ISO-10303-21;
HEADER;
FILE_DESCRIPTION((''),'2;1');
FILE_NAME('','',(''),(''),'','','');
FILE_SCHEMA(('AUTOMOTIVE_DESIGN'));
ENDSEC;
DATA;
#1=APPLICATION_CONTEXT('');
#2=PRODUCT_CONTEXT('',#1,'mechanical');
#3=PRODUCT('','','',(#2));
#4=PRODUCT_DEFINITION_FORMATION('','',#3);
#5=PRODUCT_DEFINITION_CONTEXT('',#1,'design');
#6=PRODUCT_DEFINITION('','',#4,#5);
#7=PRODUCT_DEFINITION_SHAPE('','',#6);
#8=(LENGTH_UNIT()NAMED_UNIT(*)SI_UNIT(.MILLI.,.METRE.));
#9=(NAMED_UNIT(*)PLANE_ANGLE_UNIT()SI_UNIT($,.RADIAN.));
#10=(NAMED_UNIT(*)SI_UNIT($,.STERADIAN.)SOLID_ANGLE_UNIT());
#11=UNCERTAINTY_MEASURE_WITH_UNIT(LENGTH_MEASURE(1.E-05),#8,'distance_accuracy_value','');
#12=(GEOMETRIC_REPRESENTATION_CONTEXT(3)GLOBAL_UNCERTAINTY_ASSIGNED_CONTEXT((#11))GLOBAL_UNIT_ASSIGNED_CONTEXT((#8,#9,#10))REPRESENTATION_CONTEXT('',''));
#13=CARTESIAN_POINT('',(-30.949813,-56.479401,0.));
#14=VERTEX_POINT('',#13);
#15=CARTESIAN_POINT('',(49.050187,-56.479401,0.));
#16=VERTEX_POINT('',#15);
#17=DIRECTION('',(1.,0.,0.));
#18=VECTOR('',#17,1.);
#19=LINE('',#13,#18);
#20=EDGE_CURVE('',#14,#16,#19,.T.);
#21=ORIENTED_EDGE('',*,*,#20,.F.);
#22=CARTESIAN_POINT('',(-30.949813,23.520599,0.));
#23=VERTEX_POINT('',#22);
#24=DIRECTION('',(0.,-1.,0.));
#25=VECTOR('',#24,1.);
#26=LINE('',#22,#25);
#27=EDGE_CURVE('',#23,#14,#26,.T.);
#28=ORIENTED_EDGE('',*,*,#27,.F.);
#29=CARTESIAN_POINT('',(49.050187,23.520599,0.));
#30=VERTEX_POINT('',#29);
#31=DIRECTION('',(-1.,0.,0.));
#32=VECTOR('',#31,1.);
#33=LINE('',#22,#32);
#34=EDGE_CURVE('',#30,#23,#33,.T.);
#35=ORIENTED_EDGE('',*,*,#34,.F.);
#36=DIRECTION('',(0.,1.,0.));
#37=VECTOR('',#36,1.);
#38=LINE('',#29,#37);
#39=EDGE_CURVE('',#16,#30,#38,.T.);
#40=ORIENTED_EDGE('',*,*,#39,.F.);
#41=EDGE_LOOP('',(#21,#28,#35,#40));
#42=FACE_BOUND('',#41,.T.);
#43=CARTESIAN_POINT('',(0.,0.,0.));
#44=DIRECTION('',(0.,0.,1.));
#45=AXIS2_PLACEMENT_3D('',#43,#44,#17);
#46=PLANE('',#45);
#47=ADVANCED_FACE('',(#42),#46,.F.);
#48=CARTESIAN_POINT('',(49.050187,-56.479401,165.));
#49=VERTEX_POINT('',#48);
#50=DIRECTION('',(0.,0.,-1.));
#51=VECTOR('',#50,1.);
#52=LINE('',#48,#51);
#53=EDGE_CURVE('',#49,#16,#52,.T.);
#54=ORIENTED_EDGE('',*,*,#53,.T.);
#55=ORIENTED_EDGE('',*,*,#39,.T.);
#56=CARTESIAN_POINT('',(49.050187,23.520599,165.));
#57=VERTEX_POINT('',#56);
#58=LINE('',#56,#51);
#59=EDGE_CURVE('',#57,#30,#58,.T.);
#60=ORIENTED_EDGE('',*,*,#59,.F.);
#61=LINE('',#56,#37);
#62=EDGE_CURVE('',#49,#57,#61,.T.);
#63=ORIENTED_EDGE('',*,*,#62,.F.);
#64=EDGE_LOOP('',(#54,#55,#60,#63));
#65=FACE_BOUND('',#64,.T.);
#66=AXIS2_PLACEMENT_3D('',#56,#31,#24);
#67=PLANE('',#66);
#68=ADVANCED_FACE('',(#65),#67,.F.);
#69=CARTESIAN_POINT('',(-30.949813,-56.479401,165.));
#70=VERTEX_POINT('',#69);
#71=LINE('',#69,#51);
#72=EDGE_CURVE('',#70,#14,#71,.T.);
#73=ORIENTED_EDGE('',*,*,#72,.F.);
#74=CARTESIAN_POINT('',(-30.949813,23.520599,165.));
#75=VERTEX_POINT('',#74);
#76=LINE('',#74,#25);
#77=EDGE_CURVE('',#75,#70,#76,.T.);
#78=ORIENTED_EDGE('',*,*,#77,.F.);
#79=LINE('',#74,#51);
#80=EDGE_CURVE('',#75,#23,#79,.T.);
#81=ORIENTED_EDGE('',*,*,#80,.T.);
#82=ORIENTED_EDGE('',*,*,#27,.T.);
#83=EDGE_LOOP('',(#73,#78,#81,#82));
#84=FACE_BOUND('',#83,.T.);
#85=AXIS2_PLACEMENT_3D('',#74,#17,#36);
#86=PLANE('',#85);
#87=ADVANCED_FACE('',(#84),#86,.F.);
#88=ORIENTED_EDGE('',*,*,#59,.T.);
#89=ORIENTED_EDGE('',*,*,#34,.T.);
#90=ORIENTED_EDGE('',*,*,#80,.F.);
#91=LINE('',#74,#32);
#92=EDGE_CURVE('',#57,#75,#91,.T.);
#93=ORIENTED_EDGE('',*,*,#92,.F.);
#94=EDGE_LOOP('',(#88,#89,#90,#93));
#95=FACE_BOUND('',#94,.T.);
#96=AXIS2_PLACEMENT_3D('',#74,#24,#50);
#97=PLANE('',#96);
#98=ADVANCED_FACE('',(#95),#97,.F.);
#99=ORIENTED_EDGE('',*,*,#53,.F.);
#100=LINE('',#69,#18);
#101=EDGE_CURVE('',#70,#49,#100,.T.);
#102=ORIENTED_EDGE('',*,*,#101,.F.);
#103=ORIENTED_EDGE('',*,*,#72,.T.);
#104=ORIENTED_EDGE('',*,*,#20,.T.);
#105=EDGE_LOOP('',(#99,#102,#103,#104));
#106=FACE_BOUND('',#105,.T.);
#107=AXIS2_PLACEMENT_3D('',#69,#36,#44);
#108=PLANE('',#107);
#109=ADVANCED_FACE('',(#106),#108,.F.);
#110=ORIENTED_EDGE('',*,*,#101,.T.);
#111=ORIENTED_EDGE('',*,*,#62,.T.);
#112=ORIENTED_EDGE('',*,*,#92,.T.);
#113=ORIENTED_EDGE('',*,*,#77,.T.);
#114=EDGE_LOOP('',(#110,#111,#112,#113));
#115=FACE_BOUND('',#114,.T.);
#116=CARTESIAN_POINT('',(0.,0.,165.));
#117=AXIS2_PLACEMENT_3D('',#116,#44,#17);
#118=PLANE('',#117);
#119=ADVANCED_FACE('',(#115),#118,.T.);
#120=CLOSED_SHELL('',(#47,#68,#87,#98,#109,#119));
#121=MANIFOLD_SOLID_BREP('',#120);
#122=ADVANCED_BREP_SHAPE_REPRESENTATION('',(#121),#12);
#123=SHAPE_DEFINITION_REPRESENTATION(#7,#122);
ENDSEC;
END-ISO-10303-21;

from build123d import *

# Parameters (mm, degrees)
ESQUISSE1_W        = 80
ESQUISSE1_H        = 80
BOSS_EXTRU_1_DEPTH = 165


with BuildPart() as part:
    # Esquisse1 → Boss.-Extru.1 (new body)
    with BuildSketch(Plane.XY):
        with Locations((9.050187266, -16.479400749)):
            Rectangle(ESQUISSE1_W, ESQUISSE1_H)
    extrude(amount=BOSS_EXTRU_1_DEPTH)


solid = part.part
